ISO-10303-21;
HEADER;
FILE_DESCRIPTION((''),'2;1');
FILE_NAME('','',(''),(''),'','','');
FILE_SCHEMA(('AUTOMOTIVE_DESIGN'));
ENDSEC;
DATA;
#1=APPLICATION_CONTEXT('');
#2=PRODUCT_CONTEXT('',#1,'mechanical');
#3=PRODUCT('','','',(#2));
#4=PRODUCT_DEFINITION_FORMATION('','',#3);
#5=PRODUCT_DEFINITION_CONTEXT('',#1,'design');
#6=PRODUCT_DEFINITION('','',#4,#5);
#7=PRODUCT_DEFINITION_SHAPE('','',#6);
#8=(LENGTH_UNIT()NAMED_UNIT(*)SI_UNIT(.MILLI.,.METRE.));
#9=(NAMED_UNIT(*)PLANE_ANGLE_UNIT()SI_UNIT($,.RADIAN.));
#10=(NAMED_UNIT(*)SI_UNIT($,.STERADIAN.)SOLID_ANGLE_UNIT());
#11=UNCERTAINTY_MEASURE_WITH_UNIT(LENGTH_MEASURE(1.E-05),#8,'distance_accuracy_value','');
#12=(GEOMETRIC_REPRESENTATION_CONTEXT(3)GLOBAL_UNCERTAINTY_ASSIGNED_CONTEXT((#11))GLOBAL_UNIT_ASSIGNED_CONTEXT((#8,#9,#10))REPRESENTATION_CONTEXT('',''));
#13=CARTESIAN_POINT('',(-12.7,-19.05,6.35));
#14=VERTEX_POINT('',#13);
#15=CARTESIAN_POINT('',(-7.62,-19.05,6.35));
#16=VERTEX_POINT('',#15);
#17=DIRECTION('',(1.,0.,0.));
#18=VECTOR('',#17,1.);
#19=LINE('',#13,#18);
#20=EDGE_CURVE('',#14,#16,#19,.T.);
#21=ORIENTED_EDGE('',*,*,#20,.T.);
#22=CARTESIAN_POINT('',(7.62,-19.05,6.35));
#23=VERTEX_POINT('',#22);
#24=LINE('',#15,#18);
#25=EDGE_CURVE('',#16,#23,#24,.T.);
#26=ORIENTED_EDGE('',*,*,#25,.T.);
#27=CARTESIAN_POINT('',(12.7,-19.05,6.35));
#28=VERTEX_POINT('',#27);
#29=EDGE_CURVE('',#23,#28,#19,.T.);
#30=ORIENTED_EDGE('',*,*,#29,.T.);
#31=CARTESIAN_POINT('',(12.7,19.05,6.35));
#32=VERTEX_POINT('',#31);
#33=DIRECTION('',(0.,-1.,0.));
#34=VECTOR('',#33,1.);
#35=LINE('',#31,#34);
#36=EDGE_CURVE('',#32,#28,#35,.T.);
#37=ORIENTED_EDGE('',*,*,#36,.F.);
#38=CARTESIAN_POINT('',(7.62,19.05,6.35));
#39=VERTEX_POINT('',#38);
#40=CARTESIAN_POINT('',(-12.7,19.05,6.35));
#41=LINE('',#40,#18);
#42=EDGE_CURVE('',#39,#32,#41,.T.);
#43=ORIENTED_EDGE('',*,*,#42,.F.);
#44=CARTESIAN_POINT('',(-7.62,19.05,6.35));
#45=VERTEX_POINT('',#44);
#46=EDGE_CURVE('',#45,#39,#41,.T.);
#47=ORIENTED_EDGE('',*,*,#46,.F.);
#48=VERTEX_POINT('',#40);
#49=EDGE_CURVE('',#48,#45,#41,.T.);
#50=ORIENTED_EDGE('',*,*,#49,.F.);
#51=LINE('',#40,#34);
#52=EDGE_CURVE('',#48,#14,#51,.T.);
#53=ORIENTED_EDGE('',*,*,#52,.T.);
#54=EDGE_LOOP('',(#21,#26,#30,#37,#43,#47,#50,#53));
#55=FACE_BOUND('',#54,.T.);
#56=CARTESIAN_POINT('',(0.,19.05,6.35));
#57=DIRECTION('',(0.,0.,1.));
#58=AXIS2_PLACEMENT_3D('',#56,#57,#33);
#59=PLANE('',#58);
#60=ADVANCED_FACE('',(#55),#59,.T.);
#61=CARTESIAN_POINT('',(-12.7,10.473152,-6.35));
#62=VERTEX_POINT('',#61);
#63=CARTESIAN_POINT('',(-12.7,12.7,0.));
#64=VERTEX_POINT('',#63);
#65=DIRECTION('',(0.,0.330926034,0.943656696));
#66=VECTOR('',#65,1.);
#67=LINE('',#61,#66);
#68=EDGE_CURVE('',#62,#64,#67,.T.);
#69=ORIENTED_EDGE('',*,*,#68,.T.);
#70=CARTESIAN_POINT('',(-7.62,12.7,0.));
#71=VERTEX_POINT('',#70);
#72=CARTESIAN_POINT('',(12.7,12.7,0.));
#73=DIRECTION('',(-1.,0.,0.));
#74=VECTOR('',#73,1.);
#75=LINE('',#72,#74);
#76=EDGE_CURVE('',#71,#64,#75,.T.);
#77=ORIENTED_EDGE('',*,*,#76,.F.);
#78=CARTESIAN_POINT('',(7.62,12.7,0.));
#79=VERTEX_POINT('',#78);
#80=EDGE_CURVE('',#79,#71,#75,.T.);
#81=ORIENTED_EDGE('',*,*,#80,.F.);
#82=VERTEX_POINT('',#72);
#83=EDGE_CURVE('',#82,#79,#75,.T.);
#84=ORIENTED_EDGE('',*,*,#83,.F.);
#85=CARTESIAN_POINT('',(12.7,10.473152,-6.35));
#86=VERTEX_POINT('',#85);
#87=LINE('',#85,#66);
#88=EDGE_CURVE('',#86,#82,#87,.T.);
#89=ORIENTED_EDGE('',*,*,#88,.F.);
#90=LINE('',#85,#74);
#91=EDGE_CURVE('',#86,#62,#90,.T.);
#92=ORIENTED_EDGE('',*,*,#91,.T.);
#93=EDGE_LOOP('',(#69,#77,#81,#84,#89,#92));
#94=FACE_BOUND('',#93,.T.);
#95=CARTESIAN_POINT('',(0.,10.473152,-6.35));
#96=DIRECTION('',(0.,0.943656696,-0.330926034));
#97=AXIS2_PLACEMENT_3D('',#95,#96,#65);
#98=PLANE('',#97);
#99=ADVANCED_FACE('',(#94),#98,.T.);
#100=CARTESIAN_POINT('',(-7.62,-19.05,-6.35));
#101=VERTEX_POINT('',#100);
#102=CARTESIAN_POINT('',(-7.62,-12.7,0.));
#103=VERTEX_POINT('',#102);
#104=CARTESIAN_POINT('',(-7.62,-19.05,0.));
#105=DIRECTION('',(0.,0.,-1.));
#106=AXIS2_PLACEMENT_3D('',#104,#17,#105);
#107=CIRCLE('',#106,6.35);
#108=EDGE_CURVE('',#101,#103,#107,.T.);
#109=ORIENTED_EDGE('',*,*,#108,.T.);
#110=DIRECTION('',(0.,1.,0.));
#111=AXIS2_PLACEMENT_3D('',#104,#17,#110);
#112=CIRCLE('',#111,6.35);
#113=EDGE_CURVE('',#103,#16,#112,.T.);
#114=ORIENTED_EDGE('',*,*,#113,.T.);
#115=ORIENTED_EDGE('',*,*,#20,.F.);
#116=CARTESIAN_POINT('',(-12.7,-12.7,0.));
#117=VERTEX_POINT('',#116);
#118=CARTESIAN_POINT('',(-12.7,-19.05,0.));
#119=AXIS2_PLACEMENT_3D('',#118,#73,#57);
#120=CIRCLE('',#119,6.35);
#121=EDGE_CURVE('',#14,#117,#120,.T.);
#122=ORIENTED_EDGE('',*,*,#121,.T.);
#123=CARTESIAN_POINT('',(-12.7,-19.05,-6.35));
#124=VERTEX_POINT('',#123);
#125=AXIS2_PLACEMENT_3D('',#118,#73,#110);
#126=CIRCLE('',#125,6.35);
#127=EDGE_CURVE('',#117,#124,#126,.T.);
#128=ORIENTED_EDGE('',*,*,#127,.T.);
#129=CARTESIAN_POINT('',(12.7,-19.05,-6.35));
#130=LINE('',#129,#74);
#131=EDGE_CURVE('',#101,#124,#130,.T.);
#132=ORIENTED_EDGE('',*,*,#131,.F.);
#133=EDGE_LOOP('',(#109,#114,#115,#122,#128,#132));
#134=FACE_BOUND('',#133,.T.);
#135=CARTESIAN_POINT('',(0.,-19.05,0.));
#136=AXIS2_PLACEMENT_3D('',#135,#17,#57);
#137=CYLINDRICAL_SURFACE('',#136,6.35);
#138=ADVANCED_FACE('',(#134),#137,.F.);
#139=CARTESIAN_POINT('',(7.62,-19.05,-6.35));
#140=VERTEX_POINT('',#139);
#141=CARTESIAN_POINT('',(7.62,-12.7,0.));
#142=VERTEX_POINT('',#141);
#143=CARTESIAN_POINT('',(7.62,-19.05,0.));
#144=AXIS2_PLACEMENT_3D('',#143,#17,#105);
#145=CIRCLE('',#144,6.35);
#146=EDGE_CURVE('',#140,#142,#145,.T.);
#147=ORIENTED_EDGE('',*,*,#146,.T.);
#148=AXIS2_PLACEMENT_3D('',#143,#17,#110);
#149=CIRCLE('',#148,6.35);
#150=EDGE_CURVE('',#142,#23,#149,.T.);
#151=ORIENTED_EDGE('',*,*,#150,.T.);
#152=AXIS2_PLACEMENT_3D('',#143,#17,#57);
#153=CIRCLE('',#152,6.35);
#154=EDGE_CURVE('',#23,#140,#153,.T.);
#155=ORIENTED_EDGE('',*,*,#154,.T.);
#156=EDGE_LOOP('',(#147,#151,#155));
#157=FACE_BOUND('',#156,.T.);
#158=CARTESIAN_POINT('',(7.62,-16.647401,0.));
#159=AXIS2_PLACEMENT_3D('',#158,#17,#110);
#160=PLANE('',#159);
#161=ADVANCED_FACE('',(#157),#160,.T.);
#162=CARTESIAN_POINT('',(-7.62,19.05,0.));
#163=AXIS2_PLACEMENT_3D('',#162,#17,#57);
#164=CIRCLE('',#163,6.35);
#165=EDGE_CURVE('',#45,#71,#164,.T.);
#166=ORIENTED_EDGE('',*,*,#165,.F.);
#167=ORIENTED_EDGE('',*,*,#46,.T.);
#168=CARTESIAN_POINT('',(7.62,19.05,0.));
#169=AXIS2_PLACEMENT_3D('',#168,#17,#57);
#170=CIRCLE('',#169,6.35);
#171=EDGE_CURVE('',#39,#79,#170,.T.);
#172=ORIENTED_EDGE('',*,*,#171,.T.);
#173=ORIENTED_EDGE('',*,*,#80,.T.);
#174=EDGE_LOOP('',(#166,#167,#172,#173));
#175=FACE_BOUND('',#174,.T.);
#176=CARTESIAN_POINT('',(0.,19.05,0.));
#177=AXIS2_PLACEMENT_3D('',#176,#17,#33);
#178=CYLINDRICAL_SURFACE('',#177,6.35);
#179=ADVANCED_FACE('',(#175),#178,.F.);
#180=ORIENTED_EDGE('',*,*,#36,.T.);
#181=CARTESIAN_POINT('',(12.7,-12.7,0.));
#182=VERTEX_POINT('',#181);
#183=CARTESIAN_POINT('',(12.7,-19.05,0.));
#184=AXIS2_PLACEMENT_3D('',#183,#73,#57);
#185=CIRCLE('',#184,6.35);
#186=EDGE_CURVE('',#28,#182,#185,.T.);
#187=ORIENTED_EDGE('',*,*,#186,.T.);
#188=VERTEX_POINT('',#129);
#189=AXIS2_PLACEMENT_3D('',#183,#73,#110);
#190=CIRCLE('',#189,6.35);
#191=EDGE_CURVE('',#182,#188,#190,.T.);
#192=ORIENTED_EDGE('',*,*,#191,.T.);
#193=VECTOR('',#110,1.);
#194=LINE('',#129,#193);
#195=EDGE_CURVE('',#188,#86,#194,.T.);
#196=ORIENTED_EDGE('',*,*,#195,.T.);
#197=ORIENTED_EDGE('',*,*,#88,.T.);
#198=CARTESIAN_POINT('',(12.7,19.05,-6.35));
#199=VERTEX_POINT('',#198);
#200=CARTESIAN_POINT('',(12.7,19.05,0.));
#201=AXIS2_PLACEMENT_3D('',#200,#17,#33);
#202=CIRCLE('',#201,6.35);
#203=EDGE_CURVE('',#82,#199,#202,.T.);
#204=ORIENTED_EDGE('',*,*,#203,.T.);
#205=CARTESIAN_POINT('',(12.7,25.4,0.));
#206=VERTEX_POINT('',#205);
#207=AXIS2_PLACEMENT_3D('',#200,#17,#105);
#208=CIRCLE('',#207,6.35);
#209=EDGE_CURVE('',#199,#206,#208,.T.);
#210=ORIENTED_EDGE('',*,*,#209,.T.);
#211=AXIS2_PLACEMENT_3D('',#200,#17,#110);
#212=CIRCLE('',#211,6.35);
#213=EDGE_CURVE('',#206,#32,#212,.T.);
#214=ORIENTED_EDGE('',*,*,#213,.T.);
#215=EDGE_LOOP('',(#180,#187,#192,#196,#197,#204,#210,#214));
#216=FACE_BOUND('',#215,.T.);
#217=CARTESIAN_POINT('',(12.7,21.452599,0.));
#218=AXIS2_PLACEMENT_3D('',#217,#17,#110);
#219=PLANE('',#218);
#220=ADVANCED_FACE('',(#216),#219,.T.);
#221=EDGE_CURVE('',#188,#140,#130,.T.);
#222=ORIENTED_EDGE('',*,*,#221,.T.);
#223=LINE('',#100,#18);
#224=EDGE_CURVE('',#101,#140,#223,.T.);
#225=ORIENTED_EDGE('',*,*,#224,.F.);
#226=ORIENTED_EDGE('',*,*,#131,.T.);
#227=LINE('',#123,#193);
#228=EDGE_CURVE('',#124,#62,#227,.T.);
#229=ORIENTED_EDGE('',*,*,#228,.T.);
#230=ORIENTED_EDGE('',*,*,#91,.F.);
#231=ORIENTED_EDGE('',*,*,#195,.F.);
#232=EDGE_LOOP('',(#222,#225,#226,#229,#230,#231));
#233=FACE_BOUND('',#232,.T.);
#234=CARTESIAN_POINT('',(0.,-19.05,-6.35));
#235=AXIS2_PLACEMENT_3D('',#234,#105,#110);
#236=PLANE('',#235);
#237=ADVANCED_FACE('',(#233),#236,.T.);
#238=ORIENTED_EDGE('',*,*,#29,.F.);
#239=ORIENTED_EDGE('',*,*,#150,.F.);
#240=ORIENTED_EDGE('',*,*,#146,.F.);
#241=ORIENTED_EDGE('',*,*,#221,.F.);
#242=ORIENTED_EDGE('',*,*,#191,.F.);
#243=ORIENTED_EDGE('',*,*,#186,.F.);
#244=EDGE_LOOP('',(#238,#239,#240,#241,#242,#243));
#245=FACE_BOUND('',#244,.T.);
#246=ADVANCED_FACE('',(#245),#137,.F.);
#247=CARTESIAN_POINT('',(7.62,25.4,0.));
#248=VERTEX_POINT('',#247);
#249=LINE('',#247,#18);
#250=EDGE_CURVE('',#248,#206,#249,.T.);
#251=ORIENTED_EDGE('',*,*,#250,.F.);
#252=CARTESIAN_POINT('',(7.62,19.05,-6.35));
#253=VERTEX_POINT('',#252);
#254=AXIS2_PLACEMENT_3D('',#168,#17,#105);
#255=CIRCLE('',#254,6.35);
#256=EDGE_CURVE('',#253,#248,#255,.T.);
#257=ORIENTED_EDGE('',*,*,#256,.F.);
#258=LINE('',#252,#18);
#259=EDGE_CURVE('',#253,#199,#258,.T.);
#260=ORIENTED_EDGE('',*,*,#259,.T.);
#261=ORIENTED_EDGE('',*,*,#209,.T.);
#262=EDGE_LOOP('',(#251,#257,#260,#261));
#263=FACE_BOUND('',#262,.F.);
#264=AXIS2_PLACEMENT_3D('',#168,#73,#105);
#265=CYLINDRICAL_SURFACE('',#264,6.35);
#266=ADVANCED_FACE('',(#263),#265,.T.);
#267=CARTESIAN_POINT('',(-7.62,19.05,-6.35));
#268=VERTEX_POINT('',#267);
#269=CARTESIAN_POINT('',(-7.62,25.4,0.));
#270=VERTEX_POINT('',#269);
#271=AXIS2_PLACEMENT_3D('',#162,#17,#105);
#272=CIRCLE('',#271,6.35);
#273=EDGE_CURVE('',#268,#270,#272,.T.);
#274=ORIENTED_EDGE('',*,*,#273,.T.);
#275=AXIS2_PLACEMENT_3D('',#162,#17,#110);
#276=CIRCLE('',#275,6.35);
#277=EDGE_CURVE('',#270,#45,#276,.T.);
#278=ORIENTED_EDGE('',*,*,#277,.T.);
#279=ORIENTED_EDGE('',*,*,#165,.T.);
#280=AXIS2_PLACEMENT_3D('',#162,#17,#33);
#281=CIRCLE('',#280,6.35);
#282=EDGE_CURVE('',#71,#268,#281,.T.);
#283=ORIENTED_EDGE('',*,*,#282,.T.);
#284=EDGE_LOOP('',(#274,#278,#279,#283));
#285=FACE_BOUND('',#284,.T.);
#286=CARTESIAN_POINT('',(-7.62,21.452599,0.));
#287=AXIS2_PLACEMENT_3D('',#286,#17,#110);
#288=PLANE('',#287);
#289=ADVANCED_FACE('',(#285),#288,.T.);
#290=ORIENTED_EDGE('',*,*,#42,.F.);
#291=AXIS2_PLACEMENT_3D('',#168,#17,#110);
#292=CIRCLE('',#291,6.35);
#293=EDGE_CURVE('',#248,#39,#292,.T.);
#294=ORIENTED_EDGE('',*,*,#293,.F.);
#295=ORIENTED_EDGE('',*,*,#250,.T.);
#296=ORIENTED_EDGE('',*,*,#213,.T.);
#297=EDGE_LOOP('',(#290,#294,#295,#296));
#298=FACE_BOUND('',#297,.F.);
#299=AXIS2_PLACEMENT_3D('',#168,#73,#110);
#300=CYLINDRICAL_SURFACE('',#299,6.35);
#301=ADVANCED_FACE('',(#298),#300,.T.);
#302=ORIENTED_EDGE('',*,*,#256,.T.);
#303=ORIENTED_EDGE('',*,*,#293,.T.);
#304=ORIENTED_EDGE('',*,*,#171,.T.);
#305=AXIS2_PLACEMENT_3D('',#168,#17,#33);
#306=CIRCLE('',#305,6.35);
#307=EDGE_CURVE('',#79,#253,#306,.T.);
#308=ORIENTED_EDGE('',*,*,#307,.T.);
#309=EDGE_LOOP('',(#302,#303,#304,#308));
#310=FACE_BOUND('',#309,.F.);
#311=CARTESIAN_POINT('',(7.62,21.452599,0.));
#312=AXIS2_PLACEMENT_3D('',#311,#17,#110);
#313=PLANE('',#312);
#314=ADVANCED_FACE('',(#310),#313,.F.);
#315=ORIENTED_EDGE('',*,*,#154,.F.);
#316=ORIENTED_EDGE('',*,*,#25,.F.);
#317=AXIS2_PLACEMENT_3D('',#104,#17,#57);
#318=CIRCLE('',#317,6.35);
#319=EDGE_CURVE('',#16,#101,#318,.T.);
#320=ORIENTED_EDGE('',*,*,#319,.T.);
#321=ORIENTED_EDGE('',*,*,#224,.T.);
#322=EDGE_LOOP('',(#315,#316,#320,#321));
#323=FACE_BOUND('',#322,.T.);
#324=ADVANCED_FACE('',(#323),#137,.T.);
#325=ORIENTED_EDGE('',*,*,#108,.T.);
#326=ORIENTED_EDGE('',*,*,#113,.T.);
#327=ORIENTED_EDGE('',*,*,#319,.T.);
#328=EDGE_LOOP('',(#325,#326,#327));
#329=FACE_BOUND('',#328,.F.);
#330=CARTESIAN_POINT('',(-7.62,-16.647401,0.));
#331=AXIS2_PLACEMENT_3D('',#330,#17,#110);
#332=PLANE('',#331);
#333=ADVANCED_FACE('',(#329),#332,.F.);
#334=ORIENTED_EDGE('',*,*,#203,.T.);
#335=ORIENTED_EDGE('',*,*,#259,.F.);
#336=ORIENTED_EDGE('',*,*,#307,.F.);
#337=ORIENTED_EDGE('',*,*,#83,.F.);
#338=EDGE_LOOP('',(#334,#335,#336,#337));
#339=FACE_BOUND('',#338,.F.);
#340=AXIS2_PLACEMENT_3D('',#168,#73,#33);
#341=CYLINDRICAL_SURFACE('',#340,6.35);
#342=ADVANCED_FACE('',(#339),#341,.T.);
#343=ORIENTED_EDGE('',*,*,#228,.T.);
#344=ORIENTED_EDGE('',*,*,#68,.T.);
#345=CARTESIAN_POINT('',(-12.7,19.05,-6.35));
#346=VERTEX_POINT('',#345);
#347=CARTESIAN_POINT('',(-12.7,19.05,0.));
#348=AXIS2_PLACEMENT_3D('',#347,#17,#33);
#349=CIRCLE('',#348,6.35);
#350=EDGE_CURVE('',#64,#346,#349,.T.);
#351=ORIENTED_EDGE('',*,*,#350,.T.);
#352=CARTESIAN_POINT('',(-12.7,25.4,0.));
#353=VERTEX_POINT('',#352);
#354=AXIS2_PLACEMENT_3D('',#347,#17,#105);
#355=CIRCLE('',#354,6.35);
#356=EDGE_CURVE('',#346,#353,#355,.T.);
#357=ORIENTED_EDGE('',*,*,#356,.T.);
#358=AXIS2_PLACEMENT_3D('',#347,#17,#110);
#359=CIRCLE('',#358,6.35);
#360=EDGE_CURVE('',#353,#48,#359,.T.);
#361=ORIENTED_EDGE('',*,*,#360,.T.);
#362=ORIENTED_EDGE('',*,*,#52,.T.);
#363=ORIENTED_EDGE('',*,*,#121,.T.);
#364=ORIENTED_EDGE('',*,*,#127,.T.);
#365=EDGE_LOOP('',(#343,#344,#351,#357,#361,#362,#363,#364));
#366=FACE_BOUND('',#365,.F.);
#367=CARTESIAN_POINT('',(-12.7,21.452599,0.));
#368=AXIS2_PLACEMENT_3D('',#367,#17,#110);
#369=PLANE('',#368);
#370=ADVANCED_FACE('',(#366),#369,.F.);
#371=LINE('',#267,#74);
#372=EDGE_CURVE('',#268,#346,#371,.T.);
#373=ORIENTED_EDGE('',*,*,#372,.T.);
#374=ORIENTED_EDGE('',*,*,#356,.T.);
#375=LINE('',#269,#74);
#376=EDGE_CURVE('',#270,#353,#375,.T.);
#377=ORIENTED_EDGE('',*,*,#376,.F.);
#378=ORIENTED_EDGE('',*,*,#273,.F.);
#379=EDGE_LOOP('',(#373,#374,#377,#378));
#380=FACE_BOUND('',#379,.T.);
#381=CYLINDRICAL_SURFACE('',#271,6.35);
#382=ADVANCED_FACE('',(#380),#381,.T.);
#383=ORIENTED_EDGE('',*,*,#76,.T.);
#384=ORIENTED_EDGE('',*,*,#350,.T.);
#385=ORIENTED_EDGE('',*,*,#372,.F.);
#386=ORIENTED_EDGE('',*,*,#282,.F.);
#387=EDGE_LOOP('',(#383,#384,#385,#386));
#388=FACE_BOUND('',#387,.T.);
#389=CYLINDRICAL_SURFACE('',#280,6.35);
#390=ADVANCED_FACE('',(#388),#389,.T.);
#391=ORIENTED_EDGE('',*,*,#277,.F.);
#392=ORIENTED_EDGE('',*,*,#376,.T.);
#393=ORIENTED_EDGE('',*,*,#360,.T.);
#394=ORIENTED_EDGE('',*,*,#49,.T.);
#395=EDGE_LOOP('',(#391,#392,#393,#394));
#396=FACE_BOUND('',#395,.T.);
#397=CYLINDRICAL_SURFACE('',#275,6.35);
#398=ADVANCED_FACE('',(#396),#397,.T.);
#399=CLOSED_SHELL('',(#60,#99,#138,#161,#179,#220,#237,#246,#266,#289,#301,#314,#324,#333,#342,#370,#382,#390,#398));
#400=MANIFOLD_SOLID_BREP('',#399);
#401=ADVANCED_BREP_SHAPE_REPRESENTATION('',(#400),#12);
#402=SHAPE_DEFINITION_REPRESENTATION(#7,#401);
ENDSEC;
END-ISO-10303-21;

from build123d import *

# Parameters (mm, degrees)
F1_DEPTH = 12.7
F2_START = 7.62
F2_DEPTH = 5.08
F3_START = -7.62
F3_DEPTH = 5.08
F4_DEPTH = 7.62


with BuildPart() as f1:
    # F0 (on Right) → F1 (new body, symmetric)
    with BuildSketch(Plane.YZ):
        with BuildLine():
            ThreePointArc((12.7, 0), (14.5598719395, 4.4901280605), (19.05, 6.35))
            Line((19.05, 6.35), (-19.05, 6.35))
            ThreePointArc((-19.05, 6.35), (-14.5598719395, 4.4901280605), (-12.7, 0))
            ThreePointArc((-12.7, 0), (-14.5598719395, -4.4901280605), (-19.05, -6.35))
            Line((-19.05, -6.35), (10.4731516913, -6.35))
            Line((10.4731516913, -6.35), (12.7, 0))
        make_face()
    extrude(amount=F1_DEPTH, both=True)

    # F0 (on Right) → F2 (join)
    with BuildSketch(Plane.YZ.offset(F2_START)):
        with BuildLine():
            ThreePointArc((25.4, 0), (23.5401280605, 4.4901280605), (19.05, 6.35))
            Line((19.05, 6.35), (19.05, -6.35))
            ThreePointArc((19.05, -6.35), (23.5401280605, -4.4901280605), (25.4, 0))
        make_face()
        with BuildLine():
            Line((19.05, -6.35), (19.05, 6.35))
            ThreePointArc((19.05, 6.35), (14.5598719395, 4.4901280605), (12.7, 0))
            ThreePointArc((12.7, 0), (14.5598719395, -4.4901280605), (19.05, -6.35))
        make_face()
    extrude(amount=F2_DEPTH)

    # F0 (on Right) → F3 (join)
    with BuildSketch(Plane.YZ.offset(F3_START)):
        with BuildLine():
            ThreePointArc((25.4, 0), (23.5401280605, 4.4901280605), (19.05, 6.35))
            Line((19.05, 6.35), (19.05, -6.35))
            ThreePointArc((19.05, -6.35), (23.5401280605, -4.4901280605), (25.4, 0))
        make_face()
        with BuildLine():
            Line((19.05, -6.35), (19.05, 6.35))
            ThreePointArc((19.05, 6.35), (14.5598719395, 4.4901280605), (12.7, 0))
            ThreePointArc((12.7, 0), (14.5598719395, -4.4901280605), (19.05, -6.35))
        make_face()
    extrude(amount=-F3_DEPTH)

    # F0 (on Right) → F4 (join, symmetric)
    with BuildSketch(Plane.YZ):
        with BuildLine():
            ThreePointArc((-12.7, 0), (-14.5598719395, 4.4901280605), (-19.05, 6.35))
            Line((-19.05, 6.35), (-19.05, -6.35))
            ThreePointArc((-19.05, -6.35), (-14.5598719395, -4.4901280605), (-12.7, 0))
        make_face()
        with BuildLine():
            Line((-19.05, -6.35), (-19.05, 6.35))
            ThreePointArc((-19.05, 6.35), (-25.4, 0), (-19.05, -6.35))
        make_face()
    extrude(amount=F4_DEPTH, both=True)


solid = f1.part
